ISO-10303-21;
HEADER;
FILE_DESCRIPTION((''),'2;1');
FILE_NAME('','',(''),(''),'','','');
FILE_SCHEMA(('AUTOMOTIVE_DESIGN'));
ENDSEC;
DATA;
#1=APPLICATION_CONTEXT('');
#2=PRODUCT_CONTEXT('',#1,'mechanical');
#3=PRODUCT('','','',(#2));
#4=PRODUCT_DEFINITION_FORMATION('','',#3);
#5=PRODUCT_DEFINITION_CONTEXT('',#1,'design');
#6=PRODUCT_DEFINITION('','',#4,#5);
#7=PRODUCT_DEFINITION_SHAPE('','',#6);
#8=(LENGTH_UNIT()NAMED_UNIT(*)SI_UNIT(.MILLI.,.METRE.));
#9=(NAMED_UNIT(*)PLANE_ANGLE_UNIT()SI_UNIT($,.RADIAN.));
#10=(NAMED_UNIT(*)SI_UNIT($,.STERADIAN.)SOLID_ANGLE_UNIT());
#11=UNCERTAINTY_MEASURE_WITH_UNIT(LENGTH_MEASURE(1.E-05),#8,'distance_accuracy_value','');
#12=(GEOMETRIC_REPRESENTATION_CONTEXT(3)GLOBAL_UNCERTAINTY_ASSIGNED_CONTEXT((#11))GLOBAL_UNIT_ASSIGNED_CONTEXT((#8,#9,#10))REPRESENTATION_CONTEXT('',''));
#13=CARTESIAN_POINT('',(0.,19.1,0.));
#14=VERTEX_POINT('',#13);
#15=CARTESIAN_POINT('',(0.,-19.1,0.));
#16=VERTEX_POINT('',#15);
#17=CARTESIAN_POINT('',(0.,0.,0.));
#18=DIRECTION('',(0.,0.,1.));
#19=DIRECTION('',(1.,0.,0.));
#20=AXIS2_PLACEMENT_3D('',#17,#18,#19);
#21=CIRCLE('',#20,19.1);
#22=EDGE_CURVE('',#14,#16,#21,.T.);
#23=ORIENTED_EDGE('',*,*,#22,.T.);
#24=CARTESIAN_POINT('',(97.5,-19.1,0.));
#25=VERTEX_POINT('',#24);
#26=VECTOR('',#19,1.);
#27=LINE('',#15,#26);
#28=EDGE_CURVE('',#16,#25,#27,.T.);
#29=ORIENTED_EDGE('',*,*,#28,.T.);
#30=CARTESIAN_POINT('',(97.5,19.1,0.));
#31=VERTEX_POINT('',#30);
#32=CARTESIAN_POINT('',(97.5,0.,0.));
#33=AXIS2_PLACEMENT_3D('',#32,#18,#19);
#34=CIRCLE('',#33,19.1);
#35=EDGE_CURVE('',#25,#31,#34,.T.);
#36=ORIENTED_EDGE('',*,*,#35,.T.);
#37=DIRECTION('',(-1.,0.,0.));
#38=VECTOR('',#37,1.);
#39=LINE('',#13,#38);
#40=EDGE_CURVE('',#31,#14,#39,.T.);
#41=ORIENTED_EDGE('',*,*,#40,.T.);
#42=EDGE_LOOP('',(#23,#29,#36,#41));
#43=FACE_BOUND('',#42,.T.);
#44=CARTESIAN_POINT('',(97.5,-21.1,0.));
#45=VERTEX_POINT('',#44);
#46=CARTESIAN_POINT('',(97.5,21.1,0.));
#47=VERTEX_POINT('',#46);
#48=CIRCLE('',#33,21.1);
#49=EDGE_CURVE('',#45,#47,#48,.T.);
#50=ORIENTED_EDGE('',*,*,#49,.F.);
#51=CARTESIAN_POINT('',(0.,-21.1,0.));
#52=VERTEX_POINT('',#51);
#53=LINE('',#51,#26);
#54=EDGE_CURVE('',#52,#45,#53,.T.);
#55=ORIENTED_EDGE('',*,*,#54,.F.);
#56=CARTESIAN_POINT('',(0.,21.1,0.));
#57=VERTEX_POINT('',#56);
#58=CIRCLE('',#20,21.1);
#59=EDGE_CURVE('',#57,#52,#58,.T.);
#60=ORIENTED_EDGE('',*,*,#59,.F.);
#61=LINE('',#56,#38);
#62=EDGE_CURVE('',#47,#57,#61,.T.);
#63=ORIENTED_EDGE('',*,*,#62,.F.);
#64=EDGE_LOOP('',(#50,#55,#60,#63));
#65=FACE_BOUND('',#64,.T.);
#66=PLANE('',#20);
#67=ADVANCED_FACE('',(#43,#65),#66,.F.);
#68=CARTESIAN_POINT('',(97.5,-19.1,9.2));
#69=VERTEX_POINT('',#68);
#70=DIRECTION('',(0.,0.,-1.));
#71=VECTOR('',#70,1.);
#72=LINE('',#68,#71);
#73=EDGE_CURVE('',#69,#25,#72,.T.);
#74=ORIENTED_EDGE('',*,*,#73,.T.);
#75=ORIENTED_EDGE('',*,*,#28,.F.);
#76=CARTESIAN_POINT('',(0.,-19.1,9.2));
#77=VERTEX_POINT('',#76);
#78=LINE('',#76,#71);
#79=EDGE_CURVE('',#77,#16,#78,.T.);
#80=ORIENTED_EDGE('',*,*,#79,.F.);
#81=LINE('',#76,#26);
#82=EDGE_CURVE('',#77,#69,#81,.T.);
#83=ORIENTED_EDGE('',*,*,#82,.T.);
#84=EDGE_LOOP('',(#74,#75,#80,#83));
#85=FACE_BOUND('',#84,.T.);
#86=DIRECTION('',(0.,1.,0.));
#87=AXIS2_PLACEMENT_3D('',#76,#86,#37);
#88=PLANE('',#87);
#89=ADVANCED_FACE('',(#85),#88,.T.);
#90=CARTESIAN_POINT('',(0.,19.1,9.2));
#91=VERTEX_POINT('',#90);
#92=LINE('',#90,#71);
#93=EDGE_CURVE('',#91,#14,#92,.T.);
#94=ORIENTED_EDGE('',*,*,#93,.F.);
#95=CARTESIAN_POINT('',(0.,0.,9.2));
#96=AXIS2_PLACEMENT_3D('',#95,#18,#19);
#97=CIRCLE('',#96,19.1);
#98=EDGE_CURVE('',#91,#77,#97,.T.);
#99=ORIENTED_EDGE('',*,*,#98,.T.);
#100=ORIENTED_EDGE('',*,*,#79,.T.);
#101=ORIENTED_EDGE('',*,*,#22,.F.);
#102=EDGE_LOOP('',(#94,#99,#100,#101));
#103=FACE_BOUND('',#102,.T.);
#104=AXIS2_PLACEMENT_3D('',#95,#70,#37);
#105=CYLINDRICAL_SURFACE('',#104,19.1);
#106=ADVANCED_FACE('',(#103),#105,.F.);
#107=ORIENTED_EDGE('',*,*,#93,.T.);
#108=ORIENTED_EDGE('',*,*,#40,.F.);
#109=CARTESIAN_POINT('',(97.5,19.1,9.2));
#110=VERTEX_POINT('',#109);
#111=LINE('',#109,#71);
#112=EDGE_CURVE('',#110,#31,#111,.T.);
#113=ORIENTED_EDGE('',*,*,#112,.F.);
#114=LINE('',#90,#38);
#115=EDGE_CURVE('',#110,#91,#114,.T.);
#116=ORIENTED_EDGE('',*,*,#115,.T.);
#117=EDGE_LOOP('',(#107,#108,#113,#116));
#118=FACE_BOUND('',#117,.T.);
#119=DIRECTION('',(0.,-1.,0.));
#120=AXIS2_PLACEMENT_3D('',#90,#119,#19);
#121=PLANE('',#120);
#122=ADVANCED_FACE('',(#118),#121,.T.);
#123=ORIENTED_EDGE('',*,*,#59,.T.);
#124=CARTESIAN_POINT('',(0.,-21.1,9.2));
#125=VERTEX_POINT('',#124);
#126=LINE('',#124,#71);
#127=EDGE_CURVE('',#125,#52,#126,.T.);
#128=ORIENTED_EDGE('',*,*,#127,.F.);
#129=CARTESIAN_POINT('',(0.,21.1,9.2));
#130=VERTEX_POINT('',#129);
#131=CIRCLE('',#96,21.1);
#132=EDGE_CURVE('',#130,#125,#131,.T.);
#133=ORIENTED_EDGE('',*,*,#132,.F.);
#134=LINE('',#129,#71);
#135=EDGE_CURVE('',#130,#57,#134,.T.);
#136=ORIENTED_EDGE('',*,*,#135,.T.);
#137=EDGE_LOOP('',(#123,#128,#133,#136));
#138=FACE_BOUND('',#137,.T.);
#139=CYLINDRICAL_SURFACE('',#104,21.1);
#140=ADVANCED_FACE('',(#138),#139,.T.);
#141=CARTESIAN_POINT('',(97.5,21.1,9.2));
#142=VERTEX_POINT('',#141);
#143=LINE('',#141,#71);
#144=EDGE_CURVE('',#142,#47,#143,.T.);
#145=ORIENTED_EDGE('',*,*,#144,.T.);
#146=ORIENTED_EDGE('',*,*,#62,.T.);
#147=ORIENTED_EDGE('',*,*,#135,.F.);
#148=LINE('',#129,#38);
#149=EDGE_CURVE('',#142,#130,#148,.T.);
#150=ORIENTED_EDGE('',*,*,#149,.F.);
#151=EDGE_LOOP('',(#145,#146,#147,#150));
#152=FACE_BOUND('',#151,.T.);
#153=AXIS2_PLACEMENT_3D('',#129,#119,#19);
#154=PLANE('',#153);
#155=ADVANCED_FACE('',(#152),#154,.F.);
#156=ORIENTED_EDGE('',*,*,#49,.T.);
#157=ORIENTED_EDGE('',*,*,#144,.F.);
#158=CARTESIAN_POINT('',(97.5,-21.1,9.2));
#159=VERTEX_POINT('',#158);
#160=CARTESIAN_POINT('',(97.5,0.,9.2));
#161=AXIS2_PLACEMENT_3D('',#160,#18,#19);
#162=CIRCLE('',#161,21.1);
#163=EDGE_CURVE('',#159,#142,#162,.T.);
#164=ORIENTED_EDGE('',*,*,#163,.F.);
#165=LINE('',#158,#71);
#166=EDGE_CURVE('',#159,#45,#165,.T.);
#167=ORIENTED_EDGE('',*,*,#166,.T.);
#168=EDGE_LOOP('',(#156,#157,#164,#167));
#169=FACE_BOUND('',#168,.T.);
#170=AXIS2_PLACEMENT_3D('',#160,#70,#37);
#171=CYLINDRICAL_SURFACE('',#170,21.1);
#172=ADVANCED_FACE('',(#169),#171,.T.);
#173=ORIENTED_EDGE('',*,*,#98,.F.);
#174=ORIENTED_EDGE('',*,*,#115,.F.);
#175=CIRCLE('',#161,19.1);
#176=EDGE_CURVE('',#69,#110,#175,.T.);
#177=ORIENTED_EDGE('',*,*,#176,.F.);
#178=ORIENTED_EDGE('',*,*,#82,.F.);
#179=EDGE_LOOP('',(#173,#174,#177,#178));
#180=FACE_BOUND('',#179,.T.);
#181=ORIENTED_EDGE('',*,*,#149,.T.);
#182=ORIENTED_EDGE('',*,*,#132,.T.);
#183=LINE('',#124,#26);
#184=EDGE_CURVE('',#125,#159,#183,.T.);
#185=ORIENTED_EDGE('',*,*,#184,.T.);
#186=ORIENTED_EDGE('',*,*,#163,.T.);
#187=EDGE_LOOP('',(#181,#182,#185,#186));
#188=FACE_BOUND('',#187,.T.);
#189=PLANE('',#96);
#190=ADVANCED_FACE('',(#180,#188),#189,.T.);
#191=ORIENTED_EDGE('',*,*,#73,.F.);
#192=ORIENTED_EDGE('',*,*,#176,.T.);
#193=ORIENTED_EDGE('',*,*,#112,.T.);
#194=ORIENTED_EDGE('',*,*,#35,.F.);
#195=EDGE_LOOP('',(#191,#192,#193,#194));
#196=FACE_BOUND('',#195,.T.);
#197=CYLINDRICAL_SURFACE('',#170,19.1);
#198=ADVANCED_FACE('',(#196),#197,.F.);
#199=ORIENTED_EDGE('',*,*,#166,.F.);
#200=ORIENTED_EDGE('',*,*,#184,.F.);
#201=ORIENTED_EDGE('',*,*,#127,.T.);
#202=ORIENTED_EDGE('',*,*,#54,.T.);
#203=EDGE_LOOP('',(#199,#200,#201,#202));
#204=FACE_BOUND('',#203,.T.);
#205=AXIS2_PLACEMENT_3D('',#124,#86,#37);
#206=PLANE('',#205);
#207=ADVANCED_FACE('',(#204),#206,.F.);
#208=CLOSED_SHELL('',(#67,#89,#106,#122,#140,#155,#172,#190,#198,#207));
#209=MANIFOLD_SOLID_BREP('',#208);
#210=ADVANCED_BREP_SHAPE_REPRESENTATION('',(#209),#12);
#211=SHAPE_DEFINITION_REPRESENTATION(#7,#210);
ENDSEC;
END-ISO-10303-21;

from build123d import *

# Parameters (mm, degrees)
EXTRUDE_THIN1_DEPTH = 9.2


with BuildPart() as part:
    # Sketch1 → Extrude-Thin1 (new body)
    with BuildSketch(Plane.XY):
        with BuildLine():
            Line((0, 21.1), (97.5, 21.1))
            ThreePointArc((97.5, 21.1), (118.6, 0), (97.5, -21.1))
            Line((97.5, -21.1), (0, -21.1))
            ThreePointArc((0, -21.1), (-21.1, 0), (0, 21.1))
        make_face()
        with BuildLine():
            Line((0, 19.1), (97.5, 19.1))
            ThreePointArc((97.5, 19.1), (116.6, 0), (97.5, -19.1))
            Line((97.5, -19.1), (0, -19.1))
            ThreePointArc((0, -19.1), (-19.1, 0), (0, 19.1))
        make_face(mode=Mode.SUBTRACT)
    extrude(amount=EXTRUDE_THIN1_DEPTH)


solid = part.part
